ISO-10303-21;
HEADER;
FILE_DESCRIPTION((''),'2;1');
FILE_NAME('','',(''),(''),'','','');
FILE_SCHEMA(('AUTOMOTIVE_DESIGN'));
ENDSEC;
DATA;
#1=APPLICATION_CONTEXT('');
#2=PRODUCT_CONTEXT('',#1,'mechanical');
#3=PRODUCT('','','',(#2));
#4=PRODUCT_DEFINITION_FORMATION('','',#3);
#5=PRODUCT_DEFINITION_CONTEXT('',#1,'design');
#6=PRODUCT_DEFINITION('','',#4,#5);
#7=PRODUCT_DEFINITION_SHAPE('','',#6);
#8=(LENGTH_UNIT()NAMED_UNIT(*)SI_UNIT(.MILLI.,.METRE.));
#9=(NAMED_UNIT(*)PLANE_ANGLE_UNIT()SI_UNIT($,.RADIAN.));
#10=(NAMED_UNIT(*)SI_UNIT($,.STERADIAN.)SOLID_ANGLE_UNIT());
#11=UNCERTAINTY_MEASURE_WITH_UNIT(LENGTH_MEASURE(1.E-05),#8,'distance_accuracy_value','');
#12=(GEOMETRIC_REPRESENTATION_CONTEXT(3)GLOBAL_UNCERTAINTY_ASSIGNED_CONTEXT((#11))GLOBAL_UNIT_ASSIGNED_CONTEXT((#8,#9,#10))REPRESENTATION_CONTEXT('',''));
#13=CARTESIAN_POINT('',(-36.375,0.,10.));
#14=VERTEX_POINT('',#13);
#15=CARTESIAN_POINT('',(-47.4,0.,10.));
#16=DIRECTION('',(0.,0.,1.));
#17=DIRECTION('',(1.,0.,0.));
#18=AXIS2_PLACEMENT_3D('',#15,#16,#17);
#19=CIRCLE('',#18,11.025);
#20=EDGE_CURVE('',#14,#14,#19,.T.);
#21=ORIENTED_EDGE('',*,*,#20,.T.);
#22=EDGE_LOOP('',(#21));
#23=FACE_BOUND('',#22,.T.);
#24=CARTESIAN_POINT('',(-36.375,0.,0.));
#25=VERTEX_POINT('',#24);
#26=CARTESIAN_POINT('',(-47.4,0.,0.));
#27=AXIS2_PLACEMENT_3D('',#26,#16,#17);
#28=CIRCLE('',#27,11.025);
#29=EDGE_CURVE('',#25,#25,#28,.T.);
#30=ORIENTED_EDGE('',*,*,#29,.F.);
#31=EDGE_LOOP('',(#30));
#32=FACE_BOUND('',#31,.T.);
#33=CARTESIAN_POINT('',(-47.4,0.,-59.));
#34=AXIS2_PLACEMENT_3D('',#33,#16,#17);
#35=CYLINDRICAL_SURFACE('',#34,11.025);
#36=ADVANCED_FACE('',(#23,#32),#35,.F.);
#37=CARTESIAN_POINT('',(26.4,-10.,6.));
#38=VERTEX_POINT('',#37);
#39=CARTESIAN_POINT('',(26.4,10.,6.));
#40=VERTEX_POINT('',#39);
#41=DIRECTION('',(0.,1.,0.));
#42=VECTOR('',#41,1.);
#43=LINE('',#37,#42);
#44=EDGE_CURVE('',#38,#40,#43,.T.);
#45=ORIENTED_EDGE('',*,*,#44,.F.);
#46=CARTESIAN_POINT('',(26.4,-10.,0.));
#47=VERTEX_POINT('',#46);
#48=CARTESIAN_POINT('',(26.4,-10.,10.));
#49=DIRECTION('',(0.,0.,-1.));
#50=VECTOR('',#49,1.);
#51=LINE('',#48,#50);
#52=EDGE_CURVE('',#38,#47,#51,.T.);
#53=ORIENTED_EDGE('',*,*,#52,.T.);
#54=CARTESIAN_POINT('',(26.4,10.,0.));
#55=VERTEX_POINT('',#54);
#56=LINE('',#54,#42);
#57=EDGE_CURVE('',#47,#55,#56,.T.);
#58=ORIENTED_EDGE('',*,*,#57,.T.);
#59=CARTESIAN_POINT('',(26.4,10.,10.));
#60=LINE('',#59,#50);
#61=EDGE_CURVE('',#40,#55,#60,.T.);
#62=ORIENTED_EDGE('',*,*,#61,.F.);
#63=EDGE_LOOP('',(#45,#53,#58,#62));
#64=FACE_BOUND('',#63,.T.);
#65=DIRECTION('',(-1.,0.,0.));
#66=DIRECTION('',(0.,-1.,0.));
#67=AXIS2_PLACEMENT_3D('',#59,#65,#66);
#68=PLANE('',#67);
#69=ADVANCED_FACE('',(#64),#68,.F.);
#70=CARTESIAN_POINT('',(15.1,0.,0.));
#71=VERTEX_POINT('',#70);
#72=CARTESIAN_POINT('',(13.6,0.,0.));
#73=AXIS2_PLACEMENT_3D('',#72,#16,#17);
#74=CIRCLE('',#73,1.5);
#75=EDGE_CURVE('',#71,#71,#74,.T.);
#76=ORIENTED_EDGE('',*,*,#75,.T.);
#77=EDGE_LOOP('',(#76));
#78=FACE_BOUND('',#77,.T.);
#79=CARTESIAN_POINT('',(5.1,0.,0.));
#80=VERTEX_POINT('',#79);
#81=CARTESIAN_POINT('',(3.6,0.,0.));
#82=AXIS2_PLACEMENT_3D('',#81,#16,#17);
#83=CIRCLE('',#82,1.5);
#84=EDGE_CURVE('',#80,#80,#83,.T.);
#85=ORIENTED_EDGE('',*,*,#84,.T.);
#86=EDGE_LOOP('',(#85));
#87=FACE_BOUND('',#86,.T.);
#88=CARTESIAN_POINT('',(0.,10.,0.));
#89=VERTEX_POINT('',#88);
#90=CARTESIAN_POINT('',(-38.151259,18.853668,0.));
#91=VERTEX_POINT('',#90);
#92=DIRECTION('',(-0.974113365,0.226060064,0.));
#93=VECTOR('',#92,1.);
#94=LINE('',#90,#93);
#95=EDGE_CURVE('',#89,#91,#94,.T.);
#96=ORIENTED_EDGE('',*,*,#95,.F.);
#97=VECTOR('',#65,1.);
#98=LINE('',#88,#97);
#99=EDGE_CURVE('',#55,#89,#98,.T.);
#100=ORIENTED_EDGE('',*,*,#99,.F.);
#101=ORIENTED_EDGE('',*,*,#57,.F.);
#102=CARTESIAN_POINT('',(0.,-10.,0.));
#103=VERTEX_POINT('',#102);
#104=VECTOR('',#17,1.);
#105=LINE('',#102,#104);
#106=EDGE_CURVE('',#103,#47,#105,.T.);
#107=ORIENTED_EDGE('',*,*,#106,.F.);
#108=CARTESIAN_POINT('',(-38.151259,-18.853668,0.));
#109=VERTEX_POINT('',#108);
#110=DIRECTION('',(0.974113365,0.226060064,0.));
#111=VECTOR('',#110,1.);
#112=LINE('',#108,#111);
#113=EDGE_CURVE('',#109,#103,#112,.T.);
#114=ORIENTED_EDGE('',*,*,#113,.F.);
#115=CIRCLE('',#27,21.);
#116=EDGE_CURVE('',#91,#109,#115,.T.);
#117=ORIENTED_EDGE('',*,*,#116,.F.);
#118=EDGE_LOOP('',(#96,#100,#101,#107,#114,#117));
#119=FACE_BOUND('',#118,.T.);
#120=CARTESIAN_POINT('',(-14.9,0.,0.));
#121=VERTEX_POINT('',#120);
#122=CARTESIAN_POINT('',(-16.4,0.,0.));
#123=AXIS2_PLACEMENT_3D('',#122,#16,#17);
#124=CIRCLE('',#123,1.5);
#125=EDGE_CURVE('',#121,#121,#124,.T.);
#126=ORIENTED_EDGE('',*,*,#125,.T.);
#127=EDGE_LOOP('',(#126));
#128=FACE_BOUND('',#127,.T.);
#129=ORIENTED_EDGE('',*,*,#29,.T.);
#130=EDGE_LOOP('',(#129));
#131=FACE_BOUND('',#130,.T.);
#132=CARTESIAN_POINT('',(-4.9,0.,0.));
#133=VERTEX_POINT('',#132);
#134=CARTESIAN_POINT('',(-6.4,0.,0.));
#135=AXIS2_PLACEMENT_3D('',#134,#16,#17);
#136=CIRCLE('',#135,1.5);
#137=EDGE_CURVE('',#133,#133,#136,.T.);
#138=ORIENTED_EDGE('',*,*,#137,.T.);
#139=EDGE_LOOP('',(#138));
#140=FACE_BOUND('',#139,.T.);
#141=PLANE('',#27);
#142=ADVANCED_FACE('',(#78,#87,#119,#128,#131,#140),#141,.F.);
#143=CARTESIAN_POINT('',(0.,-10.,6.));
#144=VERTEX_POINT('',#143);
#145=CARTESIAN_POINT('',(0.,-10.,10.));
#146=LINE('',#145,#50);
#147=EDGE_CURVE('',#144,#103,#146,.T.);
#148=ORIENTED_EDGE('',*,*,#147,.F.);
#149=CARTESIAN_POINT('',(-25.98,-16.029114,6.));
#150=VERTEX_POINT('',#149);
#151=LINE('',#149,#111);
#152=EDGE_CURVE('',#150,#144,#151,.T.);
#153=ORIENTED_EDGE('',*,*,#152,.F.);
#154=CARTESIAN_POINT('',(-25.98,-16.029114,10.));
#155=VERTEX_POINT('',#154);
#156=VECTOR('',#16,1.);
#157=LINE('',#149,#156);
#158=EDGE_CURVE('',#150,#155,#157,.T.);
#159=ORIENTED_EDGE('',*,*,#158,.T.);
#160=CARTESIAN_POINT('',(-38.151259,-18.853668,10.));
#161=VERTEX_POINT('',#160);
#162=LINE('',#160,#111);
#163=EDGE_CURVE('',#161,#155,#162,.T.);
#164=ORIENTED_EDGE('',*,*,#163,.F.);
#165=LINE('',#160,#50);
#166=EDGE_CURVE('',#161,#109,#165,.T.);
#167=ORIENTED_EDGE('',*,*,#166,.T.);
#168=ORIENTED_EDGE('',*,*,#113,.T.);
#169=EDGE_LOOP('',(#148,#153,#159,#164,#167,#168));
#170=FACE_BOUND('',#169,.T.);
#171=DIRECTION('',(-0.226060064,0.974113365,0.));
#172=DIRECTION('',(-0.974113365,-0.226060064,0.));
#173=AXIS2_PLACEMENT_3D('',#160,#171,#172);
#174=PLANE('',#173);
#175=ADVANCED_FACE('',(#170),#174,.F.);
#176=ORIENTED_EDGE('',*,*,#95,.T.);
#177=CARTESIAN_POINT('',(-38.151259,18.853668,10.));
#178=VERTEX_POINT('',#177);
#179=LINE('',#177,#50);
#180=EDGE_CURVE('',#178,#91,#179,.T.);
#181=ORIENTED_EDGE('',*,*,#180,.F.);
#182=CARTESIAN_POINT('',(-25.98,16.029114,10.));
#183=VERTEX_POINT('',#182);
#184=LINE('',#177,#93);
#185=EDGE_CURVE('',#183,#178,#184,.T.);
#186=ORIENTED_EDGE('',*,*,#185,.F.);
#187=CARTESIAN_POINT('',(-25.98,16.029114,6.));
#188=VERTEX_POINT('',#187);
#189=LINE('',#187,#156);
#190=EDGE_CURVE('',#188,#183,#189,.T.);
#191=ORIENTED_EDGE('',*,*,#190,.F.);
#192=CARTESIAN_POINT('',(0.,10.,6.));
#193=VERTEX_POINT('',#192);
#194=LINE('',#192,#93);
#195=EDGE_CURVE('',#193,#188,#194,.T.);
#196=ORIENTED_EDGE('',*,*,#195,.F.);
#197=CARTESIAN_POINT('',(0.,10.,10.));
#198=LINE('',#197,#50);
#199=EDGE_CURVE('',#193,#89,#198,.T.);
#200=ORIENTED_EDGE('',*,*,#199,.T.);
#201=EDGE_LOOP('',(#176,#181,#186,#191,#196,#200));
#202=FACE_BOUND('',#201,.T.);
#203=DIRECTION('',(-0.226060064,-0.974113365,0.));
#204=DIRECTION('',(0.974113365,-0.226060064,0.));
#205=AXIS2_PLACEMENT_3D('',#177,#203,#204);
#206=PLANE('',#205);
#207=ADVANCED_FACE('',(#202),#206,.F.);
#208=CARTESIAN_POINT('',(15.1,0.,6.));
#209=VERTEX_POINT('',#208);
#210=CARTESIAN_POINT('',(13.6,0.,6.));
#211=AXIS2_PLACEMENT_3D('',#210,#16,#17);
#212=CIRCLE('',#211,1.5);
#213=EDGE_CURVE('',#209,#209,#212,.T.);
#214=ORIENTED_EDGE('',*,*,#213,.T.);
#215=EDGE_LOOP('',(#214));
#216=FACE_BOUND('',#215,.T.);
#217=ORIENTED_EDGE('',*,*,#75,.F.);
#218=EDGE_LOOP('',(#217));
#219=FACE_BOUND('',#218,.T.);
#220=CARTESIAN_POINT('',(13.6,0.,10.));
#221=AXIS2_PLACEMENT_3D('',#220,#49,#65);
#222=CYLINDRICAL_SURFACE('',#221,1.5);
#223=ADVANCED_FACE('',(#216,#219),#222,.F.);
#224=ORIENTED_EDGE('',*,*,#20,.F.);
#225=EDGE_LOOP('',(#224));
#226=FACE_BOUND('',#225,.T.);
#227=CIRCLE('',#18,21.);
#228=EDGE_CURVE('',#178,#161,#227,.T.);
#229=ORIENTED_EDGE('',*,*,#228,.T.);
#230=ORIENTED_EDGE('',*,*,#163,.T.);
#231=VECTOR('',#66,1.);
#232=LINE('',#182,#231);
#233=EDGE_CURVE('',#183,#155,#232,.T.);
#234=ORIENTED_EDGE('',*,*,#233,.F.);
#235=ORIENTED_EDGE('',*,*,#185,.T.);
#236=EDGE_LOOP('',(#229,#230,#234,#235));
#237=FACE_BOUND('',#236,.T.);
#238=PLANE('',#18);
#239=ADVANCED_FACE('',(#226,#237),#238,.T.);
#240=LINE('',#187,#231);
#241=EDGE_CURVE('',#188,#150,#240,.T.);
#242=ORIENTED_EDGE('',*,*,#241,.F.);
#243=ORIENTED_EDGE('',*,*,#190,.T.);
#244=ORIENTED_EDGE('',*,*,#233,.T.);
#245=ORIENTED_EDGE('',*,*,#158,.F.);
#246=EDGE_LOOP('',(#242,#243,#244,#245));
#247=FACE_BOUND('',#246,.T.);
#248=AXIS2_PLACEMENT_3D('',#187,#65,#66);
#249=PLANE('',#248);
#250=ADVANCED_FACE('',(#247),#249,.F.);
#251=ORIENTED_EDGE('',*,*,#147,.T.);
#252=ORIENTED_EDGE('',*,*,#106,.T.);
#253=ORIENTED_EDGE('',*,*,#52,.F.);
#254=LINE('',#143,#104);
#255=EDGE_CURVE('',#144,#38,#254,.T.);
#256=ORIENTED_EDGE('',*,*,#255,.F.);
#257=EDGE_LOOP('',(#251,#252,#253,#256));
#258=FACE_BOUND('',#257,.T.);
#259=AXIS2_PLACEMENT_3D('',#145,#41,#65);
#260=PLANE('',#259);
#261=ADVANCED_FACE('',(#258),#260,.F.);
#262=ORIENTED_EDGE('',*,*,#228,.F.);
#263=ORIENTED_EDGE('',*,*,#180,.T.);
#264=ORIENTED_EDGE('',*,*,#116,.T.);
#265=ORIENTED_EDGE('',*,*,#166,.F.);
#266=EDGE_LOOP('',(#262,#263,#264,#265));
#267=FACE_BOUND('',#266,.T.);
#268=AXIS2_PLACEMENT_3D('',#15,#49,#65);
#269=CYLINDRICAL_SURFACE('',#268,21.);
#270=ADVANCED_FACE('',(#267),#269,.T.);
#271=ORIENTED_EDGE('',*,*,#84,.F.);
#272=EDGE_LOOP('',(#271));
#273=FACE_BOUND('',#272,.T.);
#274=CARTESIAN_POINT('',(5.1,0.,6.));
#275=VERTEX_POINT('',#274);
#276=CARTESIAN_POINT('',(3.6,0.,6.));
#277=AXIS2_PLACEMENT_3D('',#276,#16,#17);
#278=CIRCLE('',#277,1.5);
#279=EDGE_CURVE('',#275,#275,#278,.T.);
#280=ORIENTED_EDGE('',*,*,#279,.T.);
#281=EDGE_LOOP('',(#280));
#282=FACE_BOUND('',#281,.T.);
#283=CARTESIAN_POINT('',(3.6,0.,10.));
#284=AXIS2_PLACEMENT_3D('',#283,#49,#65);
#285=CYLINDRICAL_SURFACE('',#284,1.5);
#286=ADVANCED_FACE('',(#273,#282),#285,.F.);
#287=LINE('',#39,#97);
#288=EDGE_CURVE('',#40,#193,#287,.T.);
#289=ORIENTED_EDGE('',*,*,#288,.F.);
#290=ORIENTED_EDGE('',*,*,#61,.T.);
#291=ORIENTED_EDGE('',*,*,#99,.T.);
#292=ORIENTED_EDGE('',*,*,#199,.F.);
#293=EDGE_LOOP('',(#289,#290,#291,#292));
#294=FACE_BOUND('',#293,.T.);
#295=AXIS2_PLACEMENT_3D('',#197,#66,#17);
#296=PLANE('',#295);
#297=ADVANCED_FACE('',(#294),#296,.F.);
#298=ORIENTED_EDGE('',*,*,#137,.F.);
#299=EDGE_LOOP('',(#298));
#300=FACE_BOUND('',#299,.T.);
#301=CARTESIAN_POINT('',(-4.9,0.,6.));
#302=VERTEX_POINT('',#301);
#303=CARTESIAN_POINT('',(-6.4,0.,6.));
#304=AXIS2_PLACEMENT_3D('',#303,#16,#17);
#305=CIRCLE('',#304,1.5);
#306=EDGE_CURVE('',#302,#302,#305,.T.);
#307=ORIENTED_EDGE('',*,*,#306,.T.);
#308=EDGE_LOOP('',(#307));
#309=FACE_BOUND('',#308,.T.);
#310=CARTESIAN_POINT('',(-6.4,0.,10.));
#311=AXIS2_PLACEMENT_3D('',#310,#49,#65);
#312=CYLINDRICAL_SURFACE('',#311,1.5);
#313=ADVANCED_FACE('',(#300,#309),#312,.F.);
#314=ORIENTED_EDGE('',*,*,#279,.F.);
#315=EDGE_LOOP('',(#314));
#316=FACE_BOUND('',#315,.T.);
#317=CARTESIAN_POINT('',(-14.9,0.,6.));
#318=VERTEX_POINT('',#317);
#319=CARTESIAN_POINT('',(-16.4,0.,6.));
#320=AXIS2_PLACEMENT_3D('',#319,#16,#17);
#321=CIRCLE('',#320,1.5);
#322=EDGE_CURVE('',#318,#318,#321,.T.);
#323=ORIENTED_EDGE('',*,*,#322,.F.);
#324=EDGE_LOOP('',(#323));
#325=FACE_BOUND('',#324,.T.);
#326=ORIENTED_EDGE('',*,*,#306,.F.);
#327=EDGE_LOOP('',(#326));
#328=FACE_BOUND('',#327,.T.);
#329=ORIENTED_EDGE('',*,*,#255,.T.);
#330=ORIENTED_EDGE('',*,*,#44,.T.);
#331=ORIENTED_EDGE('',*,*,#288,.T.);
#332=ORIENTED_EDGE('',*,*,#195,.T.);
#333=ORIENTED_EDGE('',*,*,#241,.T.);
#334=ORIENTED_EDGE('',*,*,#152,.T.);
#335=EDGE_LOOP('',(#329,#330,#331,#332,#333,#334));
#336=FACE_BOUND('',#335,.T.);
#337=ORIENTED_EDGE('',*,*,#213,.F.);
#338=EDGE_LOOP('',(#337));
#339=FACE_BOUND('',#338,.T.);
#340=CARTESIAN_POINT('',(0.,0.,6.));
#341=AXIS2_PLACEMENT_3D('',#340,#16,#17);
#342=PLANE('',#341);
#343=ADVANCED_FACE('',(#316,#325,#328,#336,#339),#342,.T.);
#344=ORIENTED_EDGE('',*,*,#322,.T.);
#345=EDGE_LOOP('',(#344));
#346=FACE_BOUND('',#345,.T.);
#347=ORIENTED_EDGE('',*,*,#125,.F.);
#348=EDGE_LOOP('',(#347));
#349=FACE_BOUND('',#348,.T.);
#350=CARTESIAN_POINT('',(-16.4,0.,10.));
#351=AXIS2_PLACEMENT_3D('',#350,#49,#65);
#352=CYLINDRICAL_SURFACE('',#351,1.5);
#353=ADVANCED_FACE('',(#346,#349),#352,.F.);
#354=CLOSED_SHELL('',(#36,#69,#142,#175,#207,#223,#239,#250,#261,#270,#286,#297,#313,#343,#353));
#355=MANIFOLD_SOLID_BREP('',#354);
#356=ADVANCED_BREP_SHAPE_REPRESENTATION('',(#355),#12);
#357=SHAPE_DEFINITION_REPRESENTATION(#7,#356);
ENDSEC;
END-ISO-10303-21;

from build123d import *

# Parameters (mm, degrees)
IZIM1_R                     = 7.5
IZIM1_R_2                   = 1.5
Y_KSEKLIK_EKSTR_ZYON1_DEPTH = 10
KES_EKSTR_ZYON1_DEPTH       = 4
IZIM3_R                     = 11.025
KES_EKSTR_ZYON2_DEPTH       = 69


with BuildPart() as part:
    # Çizim1 → Yükseklik-Ekstrüzyon1 (new body)
    with BuildSketch(Plane.XY):
        with BuildLine():
            Line((-38.151258574, 18.853667601), (0, 10))
            Line((0, 10), (26.4, 10))
            Line((26.4, 10), (26.4, -10))
            Line((26.4, -10), (0, -10))
            Line((0, -10), (-38.151258574, -18.853667601))
            ThreePointArc((-38.151258574, -18.853667601), (-68.4, 0), (-38.151258574, 18.853667601))
        make_face()
        with Locations((-47.4, 0)):
            Circle(IZIM1_R, mode=Mode.SUBTRACT)
        with Locations((-16.4, 0)):
            Circle(IZIM1_R_2, mode=Mode.SUBTRACT)
        with Locations((-6.4, 0)):
            Circle(IZIM1_R_2, mode=Mode.SUBTRACT)
        with Locations((3.6, 0)):
            Circle(IZIM1_R_2, mode=Mode.SUBTRACT)
        with Locations((13.6, 0)):
            Circle(IZIM1_R_2, mode=Mode.SUBTRACT)
    extrude(amount=Y_KSEKLIK_EKSTR_ZYON1_DEPTH)

    # Çizim2 → Kes-Ekstrüzyon1 (cut)
    with BuildSketch(Plane.XY.offset(10)):
        Polygon((-25.98, -16.029113924), (0, -10), (26.4, -10), (26.4, 10), (0, 10), (-25.98, 16.029113924), align=None)
    extrude(amount=-KES_EKSTR_ZYON1_DEPTH, mode=Mode.SUBTRACT)

    # Çizim3 → Kes-Ekstrüzyon2 (cut)
    with BuildSketch(Plane.XY.offset(10)):
        with Locations((-47.4, 0)):
            Circle(IZIM3_R)
    extrude(amount=-KES_EKSTR_ZYON2_DEPTH, mode=Mode.SUBTRACT)


solid = part.part
